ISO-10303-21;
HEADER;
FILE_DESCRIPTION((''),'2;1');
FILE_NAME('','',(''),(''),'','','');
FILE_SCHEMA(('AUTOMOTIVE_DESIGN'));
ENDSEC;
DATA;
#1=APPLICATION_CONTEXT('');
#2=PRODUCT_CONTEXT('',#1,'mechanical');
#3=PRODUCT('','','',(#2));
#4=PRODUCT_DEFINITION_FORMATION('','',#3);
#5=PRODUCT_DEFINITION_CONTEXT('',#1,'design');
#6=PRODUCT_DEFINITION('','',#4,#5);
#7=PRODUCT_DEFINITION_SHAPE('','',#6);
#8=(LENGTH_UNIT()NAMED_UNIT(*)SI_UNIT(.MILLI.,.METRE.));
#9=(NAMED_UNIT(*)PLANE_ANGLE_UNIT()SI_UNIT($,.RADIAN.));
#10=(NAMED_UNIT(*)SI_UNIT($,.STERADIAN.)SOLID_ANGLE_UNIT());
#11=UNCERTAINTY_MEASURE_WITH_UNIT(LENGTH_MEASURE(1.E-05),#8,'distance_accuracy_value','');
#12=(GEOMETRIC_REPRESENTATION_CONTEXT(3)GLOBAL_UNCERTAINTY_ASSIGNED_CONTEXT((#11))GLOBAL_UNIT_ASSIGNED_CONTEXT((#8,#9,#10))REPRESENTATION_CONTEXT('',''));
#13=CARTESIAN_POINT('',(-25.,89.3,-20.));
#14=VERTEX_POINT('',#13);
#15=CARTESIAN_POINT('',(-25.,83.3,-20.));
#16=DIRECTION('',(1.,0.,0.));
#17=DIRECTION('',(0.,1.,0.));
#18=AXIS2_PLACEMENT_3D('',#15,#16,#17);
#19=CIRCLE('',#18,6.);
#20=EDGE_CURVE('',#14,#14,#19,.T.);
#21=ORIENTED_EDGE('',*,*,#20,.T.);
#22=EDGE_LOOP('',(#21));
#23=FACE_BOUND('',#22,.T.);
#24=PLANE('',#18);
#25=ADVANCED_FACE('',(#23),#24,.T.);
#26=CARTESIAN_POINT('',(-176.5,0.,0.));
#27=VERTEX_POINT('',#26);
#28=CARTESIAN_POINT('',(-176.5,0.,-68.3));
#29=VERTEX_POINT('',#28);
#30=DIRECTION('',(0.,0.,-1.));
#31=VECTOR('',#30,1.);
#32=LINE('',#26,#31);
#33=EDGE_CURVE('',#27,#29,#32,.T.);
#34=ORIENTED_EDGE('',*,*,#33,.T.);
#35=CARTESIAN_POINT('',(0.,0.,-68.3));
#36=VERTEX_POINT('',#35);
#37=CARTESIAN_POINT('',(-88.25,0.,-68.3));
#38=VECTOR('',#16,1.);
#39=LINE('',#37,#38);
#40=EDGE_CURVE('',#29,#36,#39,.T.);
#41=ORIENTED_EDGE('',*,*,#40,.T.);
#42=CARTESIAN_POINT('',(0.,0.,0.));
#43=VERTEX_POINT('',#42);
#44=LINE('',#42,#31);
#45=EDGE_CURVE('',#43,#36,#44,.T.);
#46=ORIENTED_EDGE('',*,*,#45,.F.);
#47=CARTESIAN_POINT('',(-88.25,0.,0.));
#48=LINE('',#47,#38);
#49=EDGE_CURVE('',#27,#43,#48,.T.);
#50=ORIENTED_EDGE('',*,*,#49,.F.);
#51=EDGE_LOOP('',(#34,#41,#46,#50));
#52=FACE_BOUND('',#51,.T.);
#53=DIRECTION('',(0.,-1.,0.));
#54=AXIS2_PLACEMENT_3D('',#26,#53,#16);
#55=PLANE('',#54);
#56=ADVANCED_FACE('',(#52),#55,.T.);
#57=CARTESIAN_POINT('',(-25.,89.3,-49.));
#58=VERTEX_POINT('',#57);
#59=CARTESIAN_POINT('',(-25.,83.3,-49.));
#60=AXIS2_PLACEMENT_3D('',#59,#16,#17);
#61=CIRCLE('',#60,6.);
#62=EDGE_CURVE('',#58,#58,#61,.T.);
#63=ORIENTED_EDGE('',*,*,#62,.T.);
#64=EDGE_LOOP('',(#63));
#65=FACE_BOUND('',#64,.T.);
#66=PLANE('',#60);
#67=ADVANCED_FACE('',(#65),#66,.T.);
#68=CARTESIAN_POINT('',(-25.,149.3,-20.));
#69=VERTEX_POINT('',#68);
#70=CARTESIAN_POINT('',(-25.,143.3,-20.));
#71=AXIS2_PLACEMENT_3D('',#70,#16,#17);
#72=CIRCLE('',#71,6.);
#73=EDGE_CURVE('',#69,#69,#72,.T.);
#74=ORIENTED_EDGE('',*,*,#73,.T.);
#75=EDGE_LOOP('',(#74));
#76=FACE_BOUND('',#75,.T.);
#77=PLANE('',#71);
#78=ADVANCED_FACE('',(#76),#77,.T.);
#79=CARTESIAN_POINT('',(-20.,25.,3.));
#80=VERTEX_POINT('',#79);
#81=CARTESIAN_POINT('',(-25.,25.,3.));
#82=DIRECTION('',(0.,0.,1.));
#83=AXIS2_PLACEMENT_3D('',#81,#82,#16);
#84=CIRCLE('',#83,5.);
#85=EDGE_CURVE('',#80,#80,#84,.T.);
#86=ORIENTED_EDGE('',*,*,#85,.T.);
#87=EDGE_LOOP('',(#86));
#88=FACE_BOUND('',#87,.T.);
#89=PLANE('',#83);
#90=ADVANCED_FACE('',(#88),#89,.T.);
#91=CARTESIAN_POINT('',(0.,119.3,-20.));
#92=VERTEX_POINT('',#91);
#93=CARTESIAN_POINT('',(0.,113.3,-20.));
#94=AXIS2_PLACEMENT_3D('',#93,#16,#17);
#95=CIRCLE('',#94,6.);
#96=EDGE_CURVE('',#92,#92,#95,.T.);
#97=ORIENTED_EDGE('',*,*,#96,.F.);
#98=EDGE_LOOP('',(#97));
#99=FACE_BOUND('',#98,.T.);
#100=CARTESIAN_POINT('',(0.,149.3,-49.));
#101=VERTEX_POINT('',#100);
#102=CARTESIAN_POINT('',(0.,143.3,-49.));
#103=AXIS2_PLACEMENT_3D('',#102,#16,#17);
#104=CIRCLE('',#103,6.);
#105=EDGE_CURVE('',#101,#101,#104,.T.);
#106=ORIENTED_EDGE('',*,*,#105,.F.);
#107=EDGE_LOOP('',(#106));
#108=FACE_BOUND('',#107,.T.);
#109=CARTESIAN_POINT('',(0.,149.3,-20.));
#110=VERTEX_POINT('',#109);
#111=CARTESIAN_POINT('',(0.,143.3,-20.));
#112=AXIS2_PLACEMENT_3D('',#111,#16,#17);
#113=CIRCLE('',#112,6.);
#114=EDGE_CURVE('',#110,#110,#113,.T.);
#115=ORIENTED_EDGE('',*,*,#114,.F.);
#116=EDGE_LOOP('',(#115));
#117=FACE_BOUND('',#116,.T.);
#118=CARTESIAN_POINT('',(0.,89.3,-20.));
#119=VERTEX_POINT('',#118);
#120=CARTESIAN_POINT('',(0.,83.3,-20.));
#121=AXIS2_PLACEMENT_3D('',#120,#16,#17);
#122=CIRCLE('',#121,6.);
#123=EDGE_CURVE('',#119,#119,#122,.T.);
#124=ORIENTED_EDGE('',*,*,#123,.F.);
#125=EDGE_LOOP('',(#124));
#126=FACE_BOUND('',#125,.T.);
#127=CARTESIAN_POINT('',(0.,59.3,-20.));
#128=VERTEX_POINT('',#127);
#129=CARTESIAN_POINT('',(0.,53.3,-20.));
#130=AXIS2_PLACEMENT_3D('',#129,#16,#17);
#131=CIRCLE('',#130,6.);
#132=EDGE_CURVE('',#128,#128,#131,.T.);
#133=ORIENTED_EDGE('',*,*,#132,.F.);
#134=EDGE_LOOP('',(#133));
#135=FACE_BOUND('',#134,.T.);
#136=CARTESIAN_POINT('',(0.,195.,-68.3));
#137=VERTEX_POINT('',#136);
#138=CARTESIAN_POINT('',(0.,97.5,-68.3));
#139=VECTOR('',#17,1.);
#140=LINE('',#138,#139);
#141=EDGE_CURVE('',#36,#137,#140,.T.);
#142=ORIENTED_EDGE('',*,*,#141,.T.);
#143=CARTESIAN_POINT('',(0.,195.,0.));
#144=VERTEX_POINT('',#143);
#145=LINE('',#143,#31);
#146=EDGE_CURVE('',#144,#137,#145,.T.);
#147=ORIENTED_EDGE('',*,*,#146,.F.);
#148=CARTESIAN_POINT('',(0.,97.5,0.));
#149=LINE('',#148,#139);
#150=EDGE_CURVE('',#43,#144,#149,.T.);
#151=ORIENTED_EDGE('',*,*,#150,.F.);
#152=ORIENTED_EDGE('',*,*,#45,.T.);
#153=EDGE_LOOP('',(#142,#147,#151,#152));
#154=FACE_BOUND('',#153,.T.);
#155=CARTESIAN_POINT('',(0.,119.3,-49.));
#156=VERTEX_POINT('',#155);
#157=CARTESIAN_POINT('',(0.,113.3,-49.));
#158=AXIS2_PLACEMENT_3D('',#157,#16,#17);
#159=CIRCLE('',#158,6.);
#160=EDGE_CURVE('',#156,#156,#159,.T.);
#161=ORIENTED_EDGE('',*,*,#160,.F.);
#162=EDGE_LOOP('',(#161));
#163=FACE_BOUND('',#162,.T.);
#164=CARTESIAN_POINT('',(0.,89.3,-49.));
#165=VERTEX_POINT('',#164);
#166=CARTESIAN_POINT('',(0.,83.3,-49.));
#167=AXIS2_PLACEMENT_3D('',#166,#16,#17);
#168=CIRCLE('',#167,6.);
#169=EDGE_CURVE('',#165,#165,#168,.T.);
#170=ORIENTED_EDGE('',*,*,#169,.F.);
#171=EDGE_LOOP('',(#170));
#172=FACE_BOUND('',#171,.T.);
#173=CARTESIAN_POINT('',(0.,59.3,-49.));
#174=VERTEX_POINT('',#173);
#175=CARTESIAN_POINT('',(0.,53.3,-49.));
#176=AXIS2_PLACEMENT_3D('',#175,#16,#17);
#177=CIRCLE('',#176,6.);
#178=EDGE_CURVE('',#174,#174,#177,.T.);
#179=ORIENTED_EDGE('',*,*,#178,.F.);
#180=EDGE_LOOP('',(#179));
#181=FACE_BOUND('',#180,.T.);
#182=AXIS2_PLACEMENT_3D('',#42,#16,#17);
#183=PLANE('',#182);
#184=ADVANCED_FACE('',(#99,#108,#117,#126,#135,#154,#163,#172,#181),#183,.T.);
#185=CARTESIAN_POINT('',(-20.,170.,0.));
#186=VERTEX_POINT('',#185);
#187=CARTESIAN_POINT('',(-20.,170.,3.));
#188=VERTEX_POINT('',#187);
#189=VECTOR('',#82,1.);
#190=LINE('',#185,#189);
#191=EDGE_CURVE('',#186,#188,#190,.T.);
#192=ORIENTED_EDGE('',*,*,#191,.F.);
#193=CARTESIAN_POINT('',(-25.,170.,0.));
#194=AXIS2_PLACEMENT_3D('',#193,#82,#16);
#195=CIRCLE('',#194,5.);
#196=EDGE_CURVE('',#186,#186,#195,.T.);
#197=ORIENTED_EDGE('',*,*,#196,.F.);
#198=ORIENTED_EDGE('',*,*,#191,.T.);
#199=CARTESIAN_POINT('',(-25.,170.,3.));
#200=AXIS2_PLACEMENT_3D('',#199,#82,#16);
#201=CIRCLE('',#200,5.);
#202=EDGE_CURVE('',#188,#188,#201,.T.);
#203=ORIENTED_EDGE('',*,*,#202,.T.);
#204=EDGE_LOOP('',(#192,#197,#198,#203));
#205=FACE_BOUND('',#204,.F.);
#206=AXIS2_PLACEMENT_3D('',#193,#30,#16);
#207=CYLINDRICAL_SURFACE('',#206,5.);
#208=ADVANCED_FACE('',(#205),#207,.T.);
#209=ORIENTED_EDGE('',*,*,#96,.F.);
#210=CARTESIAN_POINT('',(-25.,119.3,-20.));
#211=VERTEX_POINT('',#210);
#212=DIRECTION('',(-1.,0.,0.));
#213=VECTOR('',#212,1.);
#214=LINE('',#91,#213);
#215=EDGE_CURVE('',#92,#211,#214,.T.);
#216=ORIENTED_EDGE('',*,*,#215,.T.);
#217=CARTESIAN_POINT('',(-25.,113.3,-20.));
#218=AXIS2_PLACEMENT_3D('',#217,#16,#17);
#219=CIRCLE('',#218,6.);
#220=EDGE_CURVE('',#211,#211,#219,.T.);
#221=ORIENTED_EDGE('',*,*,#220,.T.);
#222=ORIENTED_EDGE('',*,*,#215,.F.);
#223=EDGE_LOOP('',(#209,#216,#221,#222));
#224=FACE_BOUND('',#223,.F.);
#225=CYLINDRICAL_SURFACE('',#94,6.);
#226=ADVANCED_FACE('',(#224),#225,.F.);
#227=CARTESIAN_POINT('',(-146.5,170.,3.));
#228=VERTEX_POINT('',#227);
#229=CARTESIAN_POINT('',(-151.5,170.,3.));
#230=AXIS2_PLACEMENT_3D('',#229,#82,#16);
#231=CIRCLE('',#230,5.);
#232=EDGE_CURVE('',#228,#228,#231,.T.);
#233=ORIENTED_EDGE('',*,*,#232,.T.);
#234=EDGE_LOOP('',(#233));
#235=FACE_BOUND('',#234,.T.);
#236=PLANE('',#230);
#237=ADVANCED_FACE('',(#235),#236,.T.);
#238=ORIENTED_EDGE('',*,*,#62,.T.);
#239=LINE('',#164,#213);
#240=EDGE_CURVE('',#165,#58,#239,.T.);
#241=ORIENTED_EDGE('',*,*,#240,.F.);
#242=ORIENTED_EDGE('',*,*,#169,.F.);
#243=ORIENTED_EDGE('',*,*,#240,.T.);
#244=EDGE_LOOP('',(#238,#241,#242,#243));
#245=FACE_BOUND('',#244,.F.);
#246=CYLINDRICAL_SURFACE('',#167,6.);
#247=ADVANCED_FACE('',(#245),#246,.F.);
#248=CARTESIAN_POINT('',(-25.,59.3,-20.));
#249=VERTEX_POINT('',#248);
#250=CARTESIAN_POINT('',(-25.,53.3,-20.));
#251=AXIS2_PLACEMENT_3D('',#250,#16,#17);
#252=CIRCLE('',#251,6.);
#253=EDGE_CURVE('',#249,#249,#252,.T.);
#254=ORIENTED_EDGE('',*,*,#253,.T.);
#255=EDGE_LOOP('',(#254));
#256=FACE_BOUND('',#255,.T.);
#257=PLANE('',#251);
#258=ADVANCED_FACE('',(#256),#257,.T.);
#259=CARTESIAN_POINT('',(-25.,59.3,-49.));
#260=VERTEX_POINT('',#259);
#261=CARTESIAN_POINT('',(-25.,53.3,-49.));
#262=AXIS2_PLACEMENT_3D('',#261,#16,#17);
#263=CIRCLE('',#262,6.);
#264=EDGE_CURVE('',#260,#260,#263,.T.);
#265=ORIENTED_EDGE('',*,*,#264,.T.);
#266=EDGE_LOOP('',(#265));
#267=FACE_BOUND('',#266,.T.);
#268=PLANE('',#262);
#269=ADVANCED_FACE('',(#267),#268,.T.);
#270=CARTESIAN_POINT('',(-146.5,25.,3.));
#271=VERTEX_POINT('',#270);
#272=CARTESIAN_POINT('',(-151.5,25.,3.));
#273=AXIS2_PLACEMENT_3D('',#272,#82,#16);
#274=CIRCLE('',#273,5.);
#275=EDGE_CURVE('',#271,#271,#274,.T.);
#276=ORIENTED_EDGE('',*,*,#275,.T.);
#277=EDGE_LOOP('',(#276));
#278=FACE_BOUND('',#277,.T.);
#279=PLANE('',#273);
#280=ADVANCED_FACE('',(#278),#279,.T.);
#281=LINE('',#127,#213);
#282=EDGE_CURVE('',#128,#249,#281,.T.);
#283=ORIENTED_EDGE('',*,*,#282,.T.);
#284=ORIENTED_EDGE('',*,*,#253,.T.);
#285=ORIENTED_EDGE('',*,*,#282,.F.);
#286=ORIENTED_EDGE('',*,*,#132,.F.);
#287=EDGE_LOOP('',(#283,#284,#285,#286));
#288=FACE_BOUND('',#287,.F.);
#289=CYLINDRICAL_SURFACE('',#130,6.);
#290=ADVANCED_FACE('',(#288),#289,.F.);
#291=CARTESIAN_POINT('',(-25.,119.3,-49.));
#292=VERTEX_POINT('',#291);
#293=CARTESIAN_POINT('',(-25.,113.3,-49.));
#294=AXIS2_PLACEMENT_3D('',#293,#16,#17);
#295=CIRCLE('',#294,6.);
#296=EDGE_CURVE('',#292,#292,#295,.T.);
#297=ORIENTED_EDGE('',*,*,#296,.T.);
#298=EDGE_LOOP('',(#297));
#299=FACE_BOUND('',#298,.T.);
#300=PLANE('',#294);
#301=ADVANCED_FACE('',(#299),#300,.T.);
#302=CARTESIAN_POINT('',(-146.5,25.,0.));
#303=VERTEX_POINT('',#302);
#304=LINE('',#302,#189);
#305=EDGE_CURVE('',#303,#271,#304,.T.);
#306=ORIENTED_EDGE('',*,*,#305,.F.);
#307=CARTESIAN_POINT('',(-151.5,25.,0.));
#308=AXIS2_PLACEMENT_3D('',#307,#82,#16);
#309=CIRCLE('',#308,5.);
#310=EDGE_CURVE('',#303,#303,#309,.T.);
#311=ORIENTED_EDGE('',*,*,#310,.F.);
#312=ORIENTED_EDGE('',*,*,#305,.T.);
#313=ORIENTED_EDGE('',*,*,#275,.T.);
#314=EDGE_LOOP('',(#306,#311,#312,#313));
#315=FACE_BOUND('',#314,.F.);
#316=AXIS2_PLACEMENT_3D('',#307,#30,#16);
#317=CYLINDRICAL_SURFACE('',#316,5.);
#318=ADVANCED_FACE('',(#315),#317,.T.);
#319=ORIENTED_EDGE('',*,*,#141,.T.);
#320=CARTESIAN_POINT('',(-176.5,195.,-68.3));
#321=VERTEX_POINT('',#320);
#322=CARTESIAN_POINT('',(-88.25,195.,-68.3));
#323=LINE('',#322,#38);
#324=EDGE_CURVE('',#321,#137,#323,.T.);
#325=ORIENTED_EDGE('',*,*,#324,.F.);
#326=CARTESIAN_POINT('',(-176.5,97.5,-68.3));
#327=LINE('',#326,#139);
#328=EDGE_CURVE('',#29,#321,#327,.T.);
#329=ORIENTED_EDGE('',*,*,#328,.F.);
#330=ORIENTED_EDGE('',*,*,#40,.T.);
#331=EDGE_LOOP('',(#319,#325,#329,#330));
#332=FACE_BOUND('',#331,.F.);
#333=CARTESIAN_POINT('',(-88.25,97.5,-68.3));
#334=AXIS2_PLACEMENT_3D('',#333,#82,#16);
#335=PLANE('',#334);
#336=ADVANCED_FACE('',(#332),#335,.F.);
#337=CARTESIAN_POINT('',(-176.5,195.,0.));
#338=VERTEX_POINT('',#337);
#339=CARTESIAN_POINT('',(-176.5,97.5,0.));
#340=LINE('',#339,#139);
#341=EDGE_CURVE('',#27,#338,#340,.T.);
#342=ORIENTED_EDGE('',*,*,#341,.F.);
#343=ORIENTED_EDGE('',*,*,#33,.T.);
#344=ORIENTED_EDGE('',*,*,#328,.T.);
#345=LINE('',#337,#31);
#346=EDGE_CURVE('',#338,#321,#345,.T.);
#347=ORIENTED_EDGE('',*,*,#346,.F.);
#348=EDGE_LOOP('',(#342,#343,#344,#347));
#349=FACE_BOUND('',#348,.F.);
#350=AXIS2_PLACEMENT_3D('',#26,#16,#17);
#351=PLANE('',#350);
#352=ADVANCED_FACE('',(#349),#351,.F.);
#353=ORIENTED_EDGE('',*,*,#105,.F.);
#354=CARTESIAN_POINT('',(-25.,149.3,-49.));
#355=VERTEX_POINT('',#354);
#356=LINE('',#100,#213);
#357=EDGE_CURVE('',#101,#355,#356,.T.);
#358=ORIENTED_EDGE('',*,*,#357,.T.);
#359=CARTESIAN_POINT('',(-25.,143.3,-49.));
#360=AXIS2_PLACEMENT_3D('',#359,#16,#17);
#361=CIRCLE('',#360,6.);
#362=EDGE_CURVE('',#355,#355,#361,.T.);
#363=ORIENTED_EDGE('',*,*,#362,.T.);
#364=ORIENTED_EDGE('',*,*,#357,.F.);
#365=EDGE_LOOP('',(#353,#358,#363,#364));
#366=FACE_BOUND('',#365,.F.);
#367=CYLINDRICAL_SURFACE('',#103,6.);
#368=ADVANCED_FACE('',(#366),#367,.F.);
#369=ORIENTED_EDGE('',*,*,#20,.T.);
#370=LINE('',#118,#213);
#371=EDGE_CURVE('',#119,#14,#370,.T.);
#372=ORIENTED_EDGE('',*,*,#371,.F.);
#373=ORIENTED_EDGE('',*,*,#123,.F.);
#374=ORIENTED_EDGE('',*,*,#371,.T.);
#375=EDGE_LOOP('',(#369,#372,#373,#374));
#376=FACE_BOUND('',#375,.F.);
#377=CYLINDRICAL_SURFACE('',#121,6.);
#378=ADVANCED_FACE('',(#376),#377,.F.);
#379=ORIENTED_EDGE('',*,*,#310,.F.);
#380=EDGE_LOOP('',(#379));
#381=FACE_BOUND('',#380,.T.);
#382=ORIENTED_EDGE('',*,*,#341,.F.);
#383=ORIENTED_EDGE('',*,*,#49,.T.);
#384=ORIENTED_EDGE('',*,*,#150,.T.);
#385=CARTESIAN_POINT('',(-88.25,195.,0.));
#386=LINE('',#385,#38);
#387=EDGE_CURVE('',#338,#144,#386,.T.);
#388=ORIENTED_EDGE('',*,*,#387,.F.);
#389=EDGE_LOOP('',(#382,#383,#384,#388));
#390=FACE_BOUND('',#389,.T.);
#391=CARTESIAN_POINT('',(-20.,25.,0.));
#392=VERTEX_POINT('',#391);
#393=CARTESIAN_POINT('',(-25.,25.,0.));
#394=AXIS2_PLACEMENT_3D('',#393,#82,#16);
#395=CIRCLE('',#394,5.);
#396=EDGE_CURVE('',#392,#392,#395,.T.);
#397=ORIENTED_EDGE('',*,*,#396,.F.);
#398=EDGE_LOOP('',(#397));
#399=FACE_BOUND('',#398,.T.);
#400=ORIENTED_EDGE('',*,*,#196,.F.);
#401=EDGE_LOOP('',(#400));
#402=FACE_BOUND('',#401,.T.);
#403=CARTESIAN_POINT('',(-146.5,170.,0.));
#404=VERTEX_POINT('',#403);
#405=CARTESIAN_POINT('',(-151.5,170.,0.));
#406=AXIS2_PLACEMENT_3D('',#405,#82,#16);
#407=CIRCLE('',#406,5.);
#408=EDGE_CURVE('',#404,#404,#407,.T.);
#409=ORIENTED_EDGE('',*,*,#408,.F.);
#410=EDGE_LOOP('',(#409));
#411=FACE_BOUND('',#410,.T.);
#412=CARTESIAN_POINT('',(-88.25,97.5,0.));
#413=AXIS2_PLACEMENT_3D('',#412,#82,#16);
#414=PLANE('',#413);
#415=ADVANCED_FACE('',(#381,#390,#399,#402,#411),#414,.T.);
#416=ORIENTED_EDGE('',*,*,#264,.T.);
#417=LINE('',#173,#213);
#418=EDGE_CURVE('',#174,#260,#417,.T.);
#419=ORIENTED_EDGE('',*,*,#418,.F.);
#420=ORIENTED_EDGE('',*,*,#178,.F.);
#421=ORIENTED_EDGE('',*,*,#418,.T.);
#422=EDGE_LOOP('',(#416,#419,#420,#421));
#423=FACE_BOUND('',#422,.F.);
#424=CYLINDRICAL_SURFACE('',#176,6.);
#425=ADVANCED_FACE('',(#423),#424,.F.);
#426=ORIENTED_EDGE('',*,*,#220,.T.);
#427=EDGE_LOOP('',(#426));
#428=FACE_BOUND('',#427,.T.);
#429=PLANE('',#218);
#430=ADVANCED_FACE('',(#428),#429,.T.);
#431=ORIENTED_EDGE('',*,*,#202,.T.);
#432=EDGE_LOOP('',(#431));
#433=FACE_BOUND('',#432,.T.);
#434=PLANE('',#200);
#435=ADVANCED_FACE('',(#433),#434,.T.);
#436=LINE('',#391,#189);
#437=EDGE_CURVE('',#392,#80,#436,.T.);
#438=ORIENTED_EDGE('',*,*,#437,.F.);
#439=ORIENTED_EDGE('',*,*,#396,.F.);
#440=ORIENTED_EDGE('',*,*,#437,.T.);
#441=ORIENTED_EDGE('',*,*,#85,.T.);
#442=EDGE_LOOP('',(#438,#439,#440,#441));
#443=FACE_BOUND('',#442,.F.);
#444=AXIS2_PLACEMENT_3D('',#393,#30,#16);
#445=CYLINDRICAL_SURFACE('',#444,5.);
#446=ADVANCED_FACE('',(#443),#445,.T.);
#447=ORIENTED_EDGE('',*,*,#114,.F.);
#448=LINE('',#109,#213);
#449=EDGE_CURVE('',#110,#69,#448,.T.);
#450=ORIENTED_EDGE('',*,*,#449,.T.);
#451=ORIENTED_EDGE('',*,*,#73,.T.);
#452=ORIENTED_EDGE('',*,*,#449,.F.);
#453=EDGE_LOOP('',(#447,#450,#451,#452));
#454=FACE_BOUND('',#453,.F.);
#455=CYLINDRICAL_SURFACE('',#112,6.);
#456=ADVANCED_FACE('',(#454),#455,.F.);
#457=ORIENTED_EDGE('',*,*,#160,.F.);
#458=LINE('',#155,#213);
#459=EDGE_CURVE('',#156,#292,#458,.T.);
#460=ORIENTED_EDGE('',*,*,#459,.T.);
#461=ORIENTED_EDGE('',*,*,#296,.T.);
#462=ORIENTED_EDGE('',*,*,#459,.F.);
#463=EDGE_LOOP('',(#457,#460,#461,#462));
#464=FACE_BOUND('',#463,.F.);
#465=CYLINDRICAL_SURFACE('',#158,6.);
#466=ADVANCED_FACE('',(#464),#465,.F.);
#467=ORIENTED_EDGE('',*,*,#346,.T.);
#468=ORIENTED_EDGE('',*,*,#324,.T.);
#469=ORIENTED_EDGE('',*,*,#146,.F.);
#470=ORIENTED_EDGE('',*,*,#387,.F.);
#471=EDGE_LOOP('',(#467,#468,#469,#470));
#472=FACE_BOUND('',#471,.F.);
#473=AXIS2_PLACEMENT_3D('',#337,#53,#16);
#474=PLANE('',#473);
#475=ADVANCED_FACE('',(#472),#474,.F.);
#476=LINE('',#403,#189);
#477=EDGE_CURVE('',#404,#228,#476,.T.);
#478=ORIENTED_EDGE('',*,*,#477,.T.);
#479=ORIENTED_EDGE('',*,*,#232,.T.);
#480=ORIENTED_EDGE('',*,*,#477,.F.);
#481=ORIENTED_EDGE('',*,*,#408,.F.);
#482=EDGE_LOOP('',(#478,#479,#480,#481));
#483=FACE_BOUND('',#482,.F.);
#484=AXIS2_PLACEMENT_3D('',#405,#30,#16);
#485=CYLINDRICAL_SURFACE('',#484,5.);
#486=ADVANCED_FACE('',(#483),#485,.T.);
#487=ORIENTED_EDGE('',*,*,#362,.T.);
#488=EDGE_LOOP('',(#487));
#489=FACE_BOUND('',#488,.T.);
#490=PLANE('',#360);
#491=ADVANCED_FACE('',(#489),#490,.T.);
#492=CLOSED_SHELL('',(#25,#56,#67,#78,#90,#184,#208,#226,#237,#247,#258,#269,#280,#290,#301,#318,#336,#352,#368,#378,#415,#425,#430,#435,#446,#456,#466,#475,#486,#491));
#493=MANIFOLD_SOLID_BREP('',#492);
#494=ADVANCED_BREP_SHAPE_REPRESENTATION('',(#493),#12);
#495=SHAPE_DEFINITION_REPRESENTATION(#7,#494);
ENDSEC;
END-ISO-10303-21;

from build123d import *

# Parameters (mm, degrees)
F0_W     = 176.5
F0_H     = 195
F1_DEPTH = 68.3
F2_R     = 5
F3_DEPTH = 3
F4_R     = 6
F5_DEPTH = 25


with BuildPart() as f1:
    # F0 (on Top) → F1 (new body)
    with BuildSketch(Plane.XY):
        with Locations((-88.25, 97.5)):
            Rectangle(F0_W, F0_H)
    extrude(amount=-F1_DEPTH)

    # F2 (on face) → F3 (join)
    with BuildSketch(Plane.XY):
        with Locations((-25, 170)):
            Circle(F2_R)
        with Locations((-151.5, 170)):
            Circle(F2_R)
        with Locations((-151.5, 25)):
            Circle(F2_R)
        with Locations((-25, 25)):
            Circle(F2_R)
    extrude(amount=F3_DEPTH)

    # F4 (on face) → F5 (cut)
    with BuildSketch(Plane.YZ):
        with Locations((143.3, -49)):
            Circle(F4_R)
        with Locations((113.3, -49)):
            Circle(F4_R)
        with Locations((83.3, -49)):
            Circle(F4_R)
        with Locations((53.3, -49)):
            Circle(F4_R)
        with Locations((53.3, -20)):
            Circle(F4_R)
        with Locations((83.3, -20)):
            Circle(F4_R)
        with Locations((113.3, -20)):
            Circle(F4_R)
        with Locations((143.3, -20)):
            Circle(F4_R)
    extrude(amount=-F5_DEPTH, mode=Mode.SUBTRACT)


solid = f1.part
